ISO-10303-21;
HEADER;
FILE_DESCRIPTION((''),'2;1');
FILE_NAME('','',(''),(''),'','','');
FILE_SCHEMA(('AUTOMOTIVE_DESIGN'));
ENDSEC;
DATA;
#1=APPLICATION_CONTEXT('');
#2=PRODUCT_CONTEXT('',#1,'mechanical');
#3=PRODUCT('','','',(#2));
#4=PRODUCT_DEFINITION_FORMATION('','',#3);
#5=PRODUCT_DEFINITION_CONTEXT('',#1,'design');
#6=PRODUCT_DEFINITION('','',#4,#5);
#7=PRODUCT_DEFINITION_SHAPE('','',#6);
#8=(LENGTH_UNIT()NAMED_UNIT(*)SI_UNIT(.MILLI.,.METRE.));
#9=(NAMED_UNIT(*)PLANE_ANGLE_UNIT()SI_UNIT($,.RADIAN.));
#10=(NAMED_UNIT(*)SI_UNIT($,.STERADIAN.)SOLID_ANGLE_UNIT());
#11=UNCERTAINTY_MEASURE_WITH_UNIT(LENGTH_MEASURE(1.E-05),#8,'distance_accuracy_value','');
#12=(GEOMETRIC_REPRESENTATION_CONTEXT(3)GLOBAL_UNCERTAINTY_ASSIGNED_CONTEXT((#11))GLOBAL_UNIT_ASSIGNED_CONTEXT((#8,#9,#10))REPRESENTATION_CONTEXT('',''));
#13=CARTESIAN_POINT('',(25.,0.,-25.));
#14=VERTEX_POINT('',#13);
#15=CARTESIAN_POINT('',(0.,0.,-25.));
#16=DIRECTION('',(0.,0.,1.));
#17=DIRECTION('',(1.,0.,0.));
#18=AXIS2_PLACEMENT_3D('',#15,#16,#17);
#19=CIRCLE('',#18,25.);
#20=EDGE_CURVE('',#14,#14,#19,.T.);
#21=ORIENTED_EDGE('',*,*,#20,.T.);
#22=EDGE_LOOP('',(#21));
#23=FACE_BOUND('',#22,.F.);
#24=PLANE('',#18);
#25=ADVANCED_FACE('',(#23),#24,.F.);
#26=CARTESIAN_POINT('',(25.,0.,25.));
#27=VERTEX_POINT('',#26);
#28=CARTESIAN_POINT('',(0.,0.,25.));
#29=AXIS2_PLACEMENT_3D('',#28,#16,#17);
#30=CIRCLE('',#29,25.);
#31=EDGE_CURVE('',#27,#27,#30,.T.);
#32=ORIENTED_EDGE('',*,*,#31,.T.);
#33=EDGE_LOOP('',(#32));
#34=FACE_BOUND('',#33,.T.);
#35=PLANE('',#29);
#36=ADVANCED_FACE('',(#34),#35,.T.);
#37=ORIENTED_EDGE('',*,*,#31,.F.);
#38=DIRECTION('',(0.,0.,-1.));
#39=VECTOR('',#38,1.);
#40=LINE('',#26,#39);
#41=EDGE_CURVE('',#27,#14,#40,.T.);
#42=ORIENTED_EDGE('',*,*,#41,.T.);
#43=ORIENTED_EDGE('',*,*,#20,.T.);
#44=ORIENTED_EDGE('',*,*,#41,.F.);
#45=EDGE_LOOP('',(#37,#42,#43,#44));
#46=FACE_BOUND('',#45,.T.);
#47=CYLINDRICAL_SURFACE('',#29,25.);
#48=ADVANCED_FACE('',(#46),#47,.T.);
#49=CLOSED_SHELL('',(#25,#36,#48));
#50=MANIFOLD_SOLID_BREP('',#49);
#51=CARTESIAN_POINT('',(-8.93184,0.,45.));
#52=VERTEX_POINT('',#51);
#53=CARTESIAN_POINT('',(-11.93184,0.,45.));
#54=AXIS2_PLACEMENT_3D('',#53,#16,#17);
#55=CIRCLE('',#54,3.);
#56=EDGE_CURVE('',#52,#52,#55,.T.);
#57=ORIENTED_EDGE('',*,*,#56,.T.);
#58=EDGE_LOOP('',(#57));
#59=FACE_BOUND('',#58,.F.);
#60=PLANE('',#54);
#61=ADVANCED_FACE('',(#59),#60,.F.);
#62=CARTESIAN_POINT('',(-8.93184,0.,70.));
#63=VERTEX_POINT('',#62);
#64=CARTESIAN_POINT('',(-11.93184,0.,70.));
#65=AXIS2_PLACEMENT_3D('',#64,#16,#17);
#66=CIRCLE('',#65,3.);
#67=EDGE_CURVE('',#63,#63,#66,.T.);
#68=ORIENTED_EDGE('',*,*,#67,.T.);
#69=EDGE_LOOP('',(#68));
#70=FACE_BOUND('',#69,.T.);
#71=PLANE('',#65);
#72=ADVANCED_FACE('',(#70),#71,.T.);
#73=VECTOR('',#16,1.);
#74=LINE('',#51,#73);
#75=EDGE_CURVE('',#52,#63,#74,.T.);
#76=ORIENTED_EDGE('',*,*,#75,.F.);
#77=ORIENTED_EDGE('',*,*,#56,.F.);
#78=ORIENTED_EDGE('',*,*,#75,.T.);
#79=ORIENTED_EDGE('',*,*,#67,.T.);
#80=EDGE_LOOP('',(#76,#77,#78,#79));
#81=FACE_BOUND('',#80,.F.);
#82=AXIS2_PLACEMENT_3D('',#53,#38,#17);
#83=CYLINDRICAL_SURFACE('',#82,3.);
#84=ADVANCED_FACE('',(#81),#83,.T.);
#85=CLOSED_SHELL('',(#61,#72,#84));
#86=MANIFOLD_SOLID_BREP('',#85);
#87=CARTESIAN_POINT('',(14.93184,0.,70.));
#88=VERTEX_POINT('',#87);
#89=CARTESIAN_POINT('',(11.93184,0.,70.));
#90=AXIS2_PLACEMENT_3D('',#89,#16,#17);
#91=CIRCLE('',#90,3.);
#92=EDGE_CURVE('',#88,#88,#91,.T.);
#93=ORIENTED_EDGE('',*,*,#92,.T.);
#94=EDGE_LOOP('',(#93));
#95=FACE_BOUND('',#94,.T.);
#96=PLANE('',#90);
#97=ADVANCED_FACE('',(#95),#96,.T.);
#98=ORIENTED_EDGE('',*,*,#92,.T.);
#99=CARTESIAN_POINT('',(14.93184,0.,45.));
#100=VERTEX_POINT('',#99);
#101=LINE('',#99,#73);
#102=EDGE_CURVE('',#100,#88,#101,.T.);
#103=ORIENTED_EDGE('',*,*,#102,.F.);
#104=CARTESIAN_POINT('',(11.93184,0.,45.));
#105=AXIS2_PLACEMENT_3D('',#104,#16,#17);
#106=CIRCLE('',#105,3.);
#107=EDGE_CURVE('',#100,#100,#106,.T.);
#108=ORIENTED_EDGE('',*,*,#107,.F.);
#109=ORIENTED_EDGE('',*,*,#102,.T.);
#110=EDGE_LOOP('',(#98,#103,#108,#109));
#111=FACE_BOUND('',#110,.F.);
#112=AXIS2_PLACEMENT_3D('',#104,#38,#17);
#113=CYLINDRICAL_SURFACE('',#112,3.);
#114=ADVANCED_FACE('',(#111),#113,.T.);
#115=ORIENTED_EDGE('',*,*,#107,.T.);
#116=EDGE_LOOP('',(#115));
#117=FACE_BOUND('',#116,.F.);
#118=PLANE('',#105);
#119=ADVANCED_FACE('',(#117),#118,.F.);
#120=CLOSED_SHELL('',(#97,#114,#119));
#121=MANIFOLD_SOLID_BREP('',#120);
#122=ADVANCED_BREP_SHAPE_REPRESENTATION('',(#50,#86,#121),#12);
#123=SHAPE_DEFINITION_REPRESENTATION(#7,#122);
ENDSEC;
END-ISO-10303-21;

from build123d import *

# Parameters (mm, degrees)
F1_R     = 25
F2_DEPTH = 50
F4_R     = 3
F5_DEPTH = 25


with BuildPart() as f2:
    # F1 (on offset) → F2 (new body)
    with BuildSketch(Plane.XY.offset(25)):
        Circle(F1_R)
    extrude(amount=-F2_DEPTH)


with BuildPart() as f5:
    # F4 (on offset) → F5 (new body)
    with BuildSketch(Plane.XY.offset(45)):
        with Locations((-11.93184, 0)):
            Circle(F4_R)
        with Locations((11.93184, 0)):
            Circle(F4_R)
    extrude(amount=F5_DEPTH)


solid = Compound([f2.part, f5.part])
